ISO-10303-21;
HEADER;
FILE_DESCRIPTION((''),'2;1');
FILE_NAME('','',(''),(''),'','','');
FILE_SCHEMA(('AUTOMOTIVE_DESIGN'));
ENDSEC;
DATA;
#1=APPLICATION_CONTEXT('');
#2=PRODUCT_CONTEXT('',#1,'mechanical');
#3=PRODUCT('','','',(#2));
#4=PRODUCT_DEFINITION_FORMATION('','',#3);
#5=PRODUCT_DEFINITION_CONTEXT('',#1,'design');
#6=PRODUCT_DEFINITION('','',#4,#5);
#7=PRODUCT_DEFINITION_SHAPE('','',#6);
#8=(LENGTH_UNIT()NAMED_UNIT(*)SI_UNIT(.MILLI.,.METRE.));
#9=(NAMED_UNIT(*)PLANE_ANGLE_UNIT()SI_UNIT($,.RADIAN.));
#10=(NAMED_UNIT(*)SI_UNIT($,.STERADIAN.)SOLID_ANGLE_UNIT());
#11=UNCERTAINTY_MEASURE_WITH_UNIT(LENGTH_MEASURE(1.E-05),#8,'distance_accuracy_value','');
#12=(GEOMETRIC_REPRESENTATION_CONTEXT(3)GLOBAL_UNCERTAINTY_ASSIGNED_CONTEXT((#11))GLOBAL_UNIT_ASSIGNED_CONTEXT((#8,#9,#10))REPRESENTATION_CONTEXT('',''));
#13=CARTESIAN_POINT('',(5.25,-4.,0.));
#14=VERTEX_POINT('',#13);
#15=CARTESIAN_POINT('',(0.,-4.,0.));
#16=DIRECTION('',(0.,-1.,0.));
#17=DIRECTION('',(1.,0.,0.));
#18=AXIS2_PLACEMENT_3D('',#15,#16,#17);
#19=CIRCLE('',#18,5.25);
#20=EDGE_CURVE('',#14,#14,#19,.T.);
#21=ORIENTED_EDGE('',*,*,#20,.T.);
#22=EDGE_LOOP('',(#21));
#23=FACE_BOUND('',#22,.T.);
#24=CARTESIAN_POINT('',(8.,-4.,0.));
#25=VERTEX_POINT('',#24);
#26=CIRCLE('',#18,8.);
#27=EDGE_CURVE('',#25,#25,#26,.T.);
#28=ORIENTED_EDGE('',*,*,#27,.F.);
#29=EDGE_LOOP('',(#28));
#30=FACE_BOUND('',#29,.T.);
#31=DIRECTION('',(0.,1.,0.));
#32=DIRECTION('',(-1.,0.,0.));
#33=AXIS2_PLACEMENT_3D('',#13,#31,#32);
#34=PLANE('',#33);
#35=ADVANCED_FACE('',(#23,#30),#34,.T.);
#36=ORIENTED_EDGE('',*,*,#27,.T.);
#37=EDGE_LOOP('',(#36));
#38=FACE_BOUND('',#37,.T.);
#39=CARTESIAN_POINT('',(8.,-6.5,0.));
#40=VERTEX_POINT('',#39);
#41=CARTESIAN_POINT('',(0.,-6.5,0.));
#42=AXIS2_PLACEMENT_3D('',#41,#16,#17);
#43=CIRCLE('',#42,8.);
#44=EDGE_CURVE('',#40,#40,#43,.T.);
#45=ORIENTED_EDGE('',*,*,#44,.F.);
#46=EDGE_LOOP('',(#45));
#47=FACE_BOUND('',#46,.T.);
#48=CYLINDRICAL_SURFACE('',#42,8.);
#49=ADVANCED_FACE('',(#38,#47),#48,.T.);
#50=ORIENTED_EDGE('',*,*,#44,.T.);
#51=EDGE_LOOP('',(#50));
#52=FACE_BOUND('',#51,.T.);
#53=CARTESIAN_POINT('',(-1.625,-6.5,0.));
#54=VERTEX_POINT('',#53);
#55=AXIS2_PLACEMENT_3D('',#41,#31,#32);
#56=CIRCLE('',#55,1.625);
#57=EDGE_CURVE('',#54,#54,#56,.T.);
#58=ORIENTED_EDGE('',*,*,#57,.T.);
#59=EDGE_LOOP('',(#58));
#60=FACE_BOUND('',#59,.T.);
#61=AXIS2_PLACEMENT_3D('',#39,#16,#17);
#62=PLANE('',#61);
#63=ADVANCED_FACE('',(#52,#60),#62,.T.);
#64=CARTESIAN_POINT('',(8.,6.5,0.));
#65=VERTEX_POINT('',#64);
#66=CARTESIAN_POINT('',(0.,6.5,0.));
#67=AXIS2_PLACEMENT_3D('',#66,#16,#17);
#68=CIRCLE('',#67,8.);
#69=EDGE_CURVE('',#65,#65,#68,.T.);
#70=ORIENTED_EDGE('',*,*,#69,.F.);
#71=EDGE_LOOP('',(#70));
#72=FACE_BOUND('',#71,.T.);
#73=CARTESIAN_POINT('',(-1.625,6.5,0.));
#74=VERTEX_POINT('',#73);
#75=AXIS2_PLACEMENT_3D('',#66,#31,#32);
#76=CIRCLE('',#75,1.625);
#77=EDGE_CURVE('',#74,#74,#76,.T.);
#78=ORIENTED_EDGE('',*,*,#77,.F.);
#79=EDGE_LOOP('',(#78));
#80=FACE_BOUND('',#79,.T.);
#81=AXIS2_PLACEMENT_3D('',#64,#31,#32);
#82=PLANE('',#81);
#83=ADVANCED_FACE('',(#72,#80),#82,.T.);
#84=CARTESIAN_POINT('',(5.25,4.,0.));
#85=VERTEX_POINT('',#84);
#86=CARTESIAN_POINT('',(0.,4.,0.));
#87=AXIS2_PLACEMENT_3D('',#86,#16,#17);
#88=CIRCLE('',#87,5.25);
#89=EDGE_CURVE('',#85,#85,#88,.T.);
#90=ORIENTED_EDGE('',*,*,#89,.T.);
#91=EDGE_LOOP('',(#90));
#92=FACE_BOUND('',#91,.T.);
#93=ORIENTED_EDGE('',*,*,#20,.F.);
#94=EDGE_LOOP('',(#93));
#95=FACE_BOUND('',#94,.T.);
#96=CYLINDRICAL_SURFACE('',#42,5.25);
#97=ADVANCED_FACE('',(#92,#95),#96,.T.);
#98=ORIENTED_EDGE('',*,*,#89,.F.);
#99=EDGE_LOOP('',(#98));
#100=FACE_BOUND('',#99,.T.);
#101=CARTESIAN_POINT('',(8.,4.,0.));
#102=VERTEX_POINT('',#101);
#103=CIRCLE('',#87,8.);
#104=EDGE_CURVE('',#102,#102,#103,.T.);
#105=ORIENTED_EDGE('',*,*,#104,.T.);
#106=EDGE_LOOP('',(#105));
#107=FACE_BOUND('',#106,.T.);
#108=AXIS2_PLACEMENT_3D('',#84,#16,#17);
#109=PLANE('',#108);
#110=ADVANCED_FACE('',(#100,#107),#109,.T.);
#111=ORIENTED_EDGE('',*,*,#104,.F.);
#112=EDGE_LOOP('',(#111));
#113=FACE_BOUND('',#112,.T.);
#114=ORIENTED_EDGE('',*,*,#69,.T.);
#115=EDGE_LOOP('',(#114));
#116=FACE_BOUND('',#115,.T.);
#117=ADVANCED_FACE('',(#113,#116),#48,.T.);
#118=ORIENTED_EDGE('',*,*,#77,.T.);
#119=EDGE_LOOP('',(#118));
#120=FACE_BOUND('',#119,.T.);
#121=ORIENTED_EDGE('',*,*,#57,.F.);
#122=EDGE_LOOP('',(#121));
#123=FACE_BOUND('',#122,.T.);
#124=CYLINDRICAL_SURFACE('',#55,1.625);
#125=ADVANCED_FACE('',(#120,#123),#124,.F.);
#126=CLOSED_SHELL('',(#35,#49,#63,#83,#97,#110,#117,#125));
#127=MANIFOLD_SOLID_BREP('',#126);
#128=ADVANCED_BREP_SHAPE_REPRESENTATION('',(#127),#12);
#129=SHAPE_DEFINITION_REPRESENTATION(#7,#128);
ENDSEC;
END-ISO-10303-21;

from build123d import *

# Parameters (mm, degrees)
SKETCH2_R          = 1.625
CUT_EXTRUDE1_DEPTH = 18.23368794


with BuildPart() as part:
    # Sketch1 → Revolve1 (revolve)
    with BuildSketch(Plane.XY):
        Polygon((0, -6.5), (0, 6.5), (8, 6.5), (8, 4), (5.25, 4), (5.25, -4), (8, -4), (8, -6.5), align=None)
    revolve(axis=Axis((0, -6.5, 0), (0, 1, 0)))

    # Sketch2 → Cut-Extrude1 (cut, through all)
    with BuildSketch(Plane(origin=(0, 6.5, 0), x_dir=(1, 0, 0), z_dir=(0, 1, 0))):
        with Locations(Location((0, 0, 0), (0, 0, 180))):
            Circle(SKETCH2_R)
    extrude(amount=-CUT_EXTRUDE1_DEPTH, mode=Mode.SUBTRACT)


solid = part.part
